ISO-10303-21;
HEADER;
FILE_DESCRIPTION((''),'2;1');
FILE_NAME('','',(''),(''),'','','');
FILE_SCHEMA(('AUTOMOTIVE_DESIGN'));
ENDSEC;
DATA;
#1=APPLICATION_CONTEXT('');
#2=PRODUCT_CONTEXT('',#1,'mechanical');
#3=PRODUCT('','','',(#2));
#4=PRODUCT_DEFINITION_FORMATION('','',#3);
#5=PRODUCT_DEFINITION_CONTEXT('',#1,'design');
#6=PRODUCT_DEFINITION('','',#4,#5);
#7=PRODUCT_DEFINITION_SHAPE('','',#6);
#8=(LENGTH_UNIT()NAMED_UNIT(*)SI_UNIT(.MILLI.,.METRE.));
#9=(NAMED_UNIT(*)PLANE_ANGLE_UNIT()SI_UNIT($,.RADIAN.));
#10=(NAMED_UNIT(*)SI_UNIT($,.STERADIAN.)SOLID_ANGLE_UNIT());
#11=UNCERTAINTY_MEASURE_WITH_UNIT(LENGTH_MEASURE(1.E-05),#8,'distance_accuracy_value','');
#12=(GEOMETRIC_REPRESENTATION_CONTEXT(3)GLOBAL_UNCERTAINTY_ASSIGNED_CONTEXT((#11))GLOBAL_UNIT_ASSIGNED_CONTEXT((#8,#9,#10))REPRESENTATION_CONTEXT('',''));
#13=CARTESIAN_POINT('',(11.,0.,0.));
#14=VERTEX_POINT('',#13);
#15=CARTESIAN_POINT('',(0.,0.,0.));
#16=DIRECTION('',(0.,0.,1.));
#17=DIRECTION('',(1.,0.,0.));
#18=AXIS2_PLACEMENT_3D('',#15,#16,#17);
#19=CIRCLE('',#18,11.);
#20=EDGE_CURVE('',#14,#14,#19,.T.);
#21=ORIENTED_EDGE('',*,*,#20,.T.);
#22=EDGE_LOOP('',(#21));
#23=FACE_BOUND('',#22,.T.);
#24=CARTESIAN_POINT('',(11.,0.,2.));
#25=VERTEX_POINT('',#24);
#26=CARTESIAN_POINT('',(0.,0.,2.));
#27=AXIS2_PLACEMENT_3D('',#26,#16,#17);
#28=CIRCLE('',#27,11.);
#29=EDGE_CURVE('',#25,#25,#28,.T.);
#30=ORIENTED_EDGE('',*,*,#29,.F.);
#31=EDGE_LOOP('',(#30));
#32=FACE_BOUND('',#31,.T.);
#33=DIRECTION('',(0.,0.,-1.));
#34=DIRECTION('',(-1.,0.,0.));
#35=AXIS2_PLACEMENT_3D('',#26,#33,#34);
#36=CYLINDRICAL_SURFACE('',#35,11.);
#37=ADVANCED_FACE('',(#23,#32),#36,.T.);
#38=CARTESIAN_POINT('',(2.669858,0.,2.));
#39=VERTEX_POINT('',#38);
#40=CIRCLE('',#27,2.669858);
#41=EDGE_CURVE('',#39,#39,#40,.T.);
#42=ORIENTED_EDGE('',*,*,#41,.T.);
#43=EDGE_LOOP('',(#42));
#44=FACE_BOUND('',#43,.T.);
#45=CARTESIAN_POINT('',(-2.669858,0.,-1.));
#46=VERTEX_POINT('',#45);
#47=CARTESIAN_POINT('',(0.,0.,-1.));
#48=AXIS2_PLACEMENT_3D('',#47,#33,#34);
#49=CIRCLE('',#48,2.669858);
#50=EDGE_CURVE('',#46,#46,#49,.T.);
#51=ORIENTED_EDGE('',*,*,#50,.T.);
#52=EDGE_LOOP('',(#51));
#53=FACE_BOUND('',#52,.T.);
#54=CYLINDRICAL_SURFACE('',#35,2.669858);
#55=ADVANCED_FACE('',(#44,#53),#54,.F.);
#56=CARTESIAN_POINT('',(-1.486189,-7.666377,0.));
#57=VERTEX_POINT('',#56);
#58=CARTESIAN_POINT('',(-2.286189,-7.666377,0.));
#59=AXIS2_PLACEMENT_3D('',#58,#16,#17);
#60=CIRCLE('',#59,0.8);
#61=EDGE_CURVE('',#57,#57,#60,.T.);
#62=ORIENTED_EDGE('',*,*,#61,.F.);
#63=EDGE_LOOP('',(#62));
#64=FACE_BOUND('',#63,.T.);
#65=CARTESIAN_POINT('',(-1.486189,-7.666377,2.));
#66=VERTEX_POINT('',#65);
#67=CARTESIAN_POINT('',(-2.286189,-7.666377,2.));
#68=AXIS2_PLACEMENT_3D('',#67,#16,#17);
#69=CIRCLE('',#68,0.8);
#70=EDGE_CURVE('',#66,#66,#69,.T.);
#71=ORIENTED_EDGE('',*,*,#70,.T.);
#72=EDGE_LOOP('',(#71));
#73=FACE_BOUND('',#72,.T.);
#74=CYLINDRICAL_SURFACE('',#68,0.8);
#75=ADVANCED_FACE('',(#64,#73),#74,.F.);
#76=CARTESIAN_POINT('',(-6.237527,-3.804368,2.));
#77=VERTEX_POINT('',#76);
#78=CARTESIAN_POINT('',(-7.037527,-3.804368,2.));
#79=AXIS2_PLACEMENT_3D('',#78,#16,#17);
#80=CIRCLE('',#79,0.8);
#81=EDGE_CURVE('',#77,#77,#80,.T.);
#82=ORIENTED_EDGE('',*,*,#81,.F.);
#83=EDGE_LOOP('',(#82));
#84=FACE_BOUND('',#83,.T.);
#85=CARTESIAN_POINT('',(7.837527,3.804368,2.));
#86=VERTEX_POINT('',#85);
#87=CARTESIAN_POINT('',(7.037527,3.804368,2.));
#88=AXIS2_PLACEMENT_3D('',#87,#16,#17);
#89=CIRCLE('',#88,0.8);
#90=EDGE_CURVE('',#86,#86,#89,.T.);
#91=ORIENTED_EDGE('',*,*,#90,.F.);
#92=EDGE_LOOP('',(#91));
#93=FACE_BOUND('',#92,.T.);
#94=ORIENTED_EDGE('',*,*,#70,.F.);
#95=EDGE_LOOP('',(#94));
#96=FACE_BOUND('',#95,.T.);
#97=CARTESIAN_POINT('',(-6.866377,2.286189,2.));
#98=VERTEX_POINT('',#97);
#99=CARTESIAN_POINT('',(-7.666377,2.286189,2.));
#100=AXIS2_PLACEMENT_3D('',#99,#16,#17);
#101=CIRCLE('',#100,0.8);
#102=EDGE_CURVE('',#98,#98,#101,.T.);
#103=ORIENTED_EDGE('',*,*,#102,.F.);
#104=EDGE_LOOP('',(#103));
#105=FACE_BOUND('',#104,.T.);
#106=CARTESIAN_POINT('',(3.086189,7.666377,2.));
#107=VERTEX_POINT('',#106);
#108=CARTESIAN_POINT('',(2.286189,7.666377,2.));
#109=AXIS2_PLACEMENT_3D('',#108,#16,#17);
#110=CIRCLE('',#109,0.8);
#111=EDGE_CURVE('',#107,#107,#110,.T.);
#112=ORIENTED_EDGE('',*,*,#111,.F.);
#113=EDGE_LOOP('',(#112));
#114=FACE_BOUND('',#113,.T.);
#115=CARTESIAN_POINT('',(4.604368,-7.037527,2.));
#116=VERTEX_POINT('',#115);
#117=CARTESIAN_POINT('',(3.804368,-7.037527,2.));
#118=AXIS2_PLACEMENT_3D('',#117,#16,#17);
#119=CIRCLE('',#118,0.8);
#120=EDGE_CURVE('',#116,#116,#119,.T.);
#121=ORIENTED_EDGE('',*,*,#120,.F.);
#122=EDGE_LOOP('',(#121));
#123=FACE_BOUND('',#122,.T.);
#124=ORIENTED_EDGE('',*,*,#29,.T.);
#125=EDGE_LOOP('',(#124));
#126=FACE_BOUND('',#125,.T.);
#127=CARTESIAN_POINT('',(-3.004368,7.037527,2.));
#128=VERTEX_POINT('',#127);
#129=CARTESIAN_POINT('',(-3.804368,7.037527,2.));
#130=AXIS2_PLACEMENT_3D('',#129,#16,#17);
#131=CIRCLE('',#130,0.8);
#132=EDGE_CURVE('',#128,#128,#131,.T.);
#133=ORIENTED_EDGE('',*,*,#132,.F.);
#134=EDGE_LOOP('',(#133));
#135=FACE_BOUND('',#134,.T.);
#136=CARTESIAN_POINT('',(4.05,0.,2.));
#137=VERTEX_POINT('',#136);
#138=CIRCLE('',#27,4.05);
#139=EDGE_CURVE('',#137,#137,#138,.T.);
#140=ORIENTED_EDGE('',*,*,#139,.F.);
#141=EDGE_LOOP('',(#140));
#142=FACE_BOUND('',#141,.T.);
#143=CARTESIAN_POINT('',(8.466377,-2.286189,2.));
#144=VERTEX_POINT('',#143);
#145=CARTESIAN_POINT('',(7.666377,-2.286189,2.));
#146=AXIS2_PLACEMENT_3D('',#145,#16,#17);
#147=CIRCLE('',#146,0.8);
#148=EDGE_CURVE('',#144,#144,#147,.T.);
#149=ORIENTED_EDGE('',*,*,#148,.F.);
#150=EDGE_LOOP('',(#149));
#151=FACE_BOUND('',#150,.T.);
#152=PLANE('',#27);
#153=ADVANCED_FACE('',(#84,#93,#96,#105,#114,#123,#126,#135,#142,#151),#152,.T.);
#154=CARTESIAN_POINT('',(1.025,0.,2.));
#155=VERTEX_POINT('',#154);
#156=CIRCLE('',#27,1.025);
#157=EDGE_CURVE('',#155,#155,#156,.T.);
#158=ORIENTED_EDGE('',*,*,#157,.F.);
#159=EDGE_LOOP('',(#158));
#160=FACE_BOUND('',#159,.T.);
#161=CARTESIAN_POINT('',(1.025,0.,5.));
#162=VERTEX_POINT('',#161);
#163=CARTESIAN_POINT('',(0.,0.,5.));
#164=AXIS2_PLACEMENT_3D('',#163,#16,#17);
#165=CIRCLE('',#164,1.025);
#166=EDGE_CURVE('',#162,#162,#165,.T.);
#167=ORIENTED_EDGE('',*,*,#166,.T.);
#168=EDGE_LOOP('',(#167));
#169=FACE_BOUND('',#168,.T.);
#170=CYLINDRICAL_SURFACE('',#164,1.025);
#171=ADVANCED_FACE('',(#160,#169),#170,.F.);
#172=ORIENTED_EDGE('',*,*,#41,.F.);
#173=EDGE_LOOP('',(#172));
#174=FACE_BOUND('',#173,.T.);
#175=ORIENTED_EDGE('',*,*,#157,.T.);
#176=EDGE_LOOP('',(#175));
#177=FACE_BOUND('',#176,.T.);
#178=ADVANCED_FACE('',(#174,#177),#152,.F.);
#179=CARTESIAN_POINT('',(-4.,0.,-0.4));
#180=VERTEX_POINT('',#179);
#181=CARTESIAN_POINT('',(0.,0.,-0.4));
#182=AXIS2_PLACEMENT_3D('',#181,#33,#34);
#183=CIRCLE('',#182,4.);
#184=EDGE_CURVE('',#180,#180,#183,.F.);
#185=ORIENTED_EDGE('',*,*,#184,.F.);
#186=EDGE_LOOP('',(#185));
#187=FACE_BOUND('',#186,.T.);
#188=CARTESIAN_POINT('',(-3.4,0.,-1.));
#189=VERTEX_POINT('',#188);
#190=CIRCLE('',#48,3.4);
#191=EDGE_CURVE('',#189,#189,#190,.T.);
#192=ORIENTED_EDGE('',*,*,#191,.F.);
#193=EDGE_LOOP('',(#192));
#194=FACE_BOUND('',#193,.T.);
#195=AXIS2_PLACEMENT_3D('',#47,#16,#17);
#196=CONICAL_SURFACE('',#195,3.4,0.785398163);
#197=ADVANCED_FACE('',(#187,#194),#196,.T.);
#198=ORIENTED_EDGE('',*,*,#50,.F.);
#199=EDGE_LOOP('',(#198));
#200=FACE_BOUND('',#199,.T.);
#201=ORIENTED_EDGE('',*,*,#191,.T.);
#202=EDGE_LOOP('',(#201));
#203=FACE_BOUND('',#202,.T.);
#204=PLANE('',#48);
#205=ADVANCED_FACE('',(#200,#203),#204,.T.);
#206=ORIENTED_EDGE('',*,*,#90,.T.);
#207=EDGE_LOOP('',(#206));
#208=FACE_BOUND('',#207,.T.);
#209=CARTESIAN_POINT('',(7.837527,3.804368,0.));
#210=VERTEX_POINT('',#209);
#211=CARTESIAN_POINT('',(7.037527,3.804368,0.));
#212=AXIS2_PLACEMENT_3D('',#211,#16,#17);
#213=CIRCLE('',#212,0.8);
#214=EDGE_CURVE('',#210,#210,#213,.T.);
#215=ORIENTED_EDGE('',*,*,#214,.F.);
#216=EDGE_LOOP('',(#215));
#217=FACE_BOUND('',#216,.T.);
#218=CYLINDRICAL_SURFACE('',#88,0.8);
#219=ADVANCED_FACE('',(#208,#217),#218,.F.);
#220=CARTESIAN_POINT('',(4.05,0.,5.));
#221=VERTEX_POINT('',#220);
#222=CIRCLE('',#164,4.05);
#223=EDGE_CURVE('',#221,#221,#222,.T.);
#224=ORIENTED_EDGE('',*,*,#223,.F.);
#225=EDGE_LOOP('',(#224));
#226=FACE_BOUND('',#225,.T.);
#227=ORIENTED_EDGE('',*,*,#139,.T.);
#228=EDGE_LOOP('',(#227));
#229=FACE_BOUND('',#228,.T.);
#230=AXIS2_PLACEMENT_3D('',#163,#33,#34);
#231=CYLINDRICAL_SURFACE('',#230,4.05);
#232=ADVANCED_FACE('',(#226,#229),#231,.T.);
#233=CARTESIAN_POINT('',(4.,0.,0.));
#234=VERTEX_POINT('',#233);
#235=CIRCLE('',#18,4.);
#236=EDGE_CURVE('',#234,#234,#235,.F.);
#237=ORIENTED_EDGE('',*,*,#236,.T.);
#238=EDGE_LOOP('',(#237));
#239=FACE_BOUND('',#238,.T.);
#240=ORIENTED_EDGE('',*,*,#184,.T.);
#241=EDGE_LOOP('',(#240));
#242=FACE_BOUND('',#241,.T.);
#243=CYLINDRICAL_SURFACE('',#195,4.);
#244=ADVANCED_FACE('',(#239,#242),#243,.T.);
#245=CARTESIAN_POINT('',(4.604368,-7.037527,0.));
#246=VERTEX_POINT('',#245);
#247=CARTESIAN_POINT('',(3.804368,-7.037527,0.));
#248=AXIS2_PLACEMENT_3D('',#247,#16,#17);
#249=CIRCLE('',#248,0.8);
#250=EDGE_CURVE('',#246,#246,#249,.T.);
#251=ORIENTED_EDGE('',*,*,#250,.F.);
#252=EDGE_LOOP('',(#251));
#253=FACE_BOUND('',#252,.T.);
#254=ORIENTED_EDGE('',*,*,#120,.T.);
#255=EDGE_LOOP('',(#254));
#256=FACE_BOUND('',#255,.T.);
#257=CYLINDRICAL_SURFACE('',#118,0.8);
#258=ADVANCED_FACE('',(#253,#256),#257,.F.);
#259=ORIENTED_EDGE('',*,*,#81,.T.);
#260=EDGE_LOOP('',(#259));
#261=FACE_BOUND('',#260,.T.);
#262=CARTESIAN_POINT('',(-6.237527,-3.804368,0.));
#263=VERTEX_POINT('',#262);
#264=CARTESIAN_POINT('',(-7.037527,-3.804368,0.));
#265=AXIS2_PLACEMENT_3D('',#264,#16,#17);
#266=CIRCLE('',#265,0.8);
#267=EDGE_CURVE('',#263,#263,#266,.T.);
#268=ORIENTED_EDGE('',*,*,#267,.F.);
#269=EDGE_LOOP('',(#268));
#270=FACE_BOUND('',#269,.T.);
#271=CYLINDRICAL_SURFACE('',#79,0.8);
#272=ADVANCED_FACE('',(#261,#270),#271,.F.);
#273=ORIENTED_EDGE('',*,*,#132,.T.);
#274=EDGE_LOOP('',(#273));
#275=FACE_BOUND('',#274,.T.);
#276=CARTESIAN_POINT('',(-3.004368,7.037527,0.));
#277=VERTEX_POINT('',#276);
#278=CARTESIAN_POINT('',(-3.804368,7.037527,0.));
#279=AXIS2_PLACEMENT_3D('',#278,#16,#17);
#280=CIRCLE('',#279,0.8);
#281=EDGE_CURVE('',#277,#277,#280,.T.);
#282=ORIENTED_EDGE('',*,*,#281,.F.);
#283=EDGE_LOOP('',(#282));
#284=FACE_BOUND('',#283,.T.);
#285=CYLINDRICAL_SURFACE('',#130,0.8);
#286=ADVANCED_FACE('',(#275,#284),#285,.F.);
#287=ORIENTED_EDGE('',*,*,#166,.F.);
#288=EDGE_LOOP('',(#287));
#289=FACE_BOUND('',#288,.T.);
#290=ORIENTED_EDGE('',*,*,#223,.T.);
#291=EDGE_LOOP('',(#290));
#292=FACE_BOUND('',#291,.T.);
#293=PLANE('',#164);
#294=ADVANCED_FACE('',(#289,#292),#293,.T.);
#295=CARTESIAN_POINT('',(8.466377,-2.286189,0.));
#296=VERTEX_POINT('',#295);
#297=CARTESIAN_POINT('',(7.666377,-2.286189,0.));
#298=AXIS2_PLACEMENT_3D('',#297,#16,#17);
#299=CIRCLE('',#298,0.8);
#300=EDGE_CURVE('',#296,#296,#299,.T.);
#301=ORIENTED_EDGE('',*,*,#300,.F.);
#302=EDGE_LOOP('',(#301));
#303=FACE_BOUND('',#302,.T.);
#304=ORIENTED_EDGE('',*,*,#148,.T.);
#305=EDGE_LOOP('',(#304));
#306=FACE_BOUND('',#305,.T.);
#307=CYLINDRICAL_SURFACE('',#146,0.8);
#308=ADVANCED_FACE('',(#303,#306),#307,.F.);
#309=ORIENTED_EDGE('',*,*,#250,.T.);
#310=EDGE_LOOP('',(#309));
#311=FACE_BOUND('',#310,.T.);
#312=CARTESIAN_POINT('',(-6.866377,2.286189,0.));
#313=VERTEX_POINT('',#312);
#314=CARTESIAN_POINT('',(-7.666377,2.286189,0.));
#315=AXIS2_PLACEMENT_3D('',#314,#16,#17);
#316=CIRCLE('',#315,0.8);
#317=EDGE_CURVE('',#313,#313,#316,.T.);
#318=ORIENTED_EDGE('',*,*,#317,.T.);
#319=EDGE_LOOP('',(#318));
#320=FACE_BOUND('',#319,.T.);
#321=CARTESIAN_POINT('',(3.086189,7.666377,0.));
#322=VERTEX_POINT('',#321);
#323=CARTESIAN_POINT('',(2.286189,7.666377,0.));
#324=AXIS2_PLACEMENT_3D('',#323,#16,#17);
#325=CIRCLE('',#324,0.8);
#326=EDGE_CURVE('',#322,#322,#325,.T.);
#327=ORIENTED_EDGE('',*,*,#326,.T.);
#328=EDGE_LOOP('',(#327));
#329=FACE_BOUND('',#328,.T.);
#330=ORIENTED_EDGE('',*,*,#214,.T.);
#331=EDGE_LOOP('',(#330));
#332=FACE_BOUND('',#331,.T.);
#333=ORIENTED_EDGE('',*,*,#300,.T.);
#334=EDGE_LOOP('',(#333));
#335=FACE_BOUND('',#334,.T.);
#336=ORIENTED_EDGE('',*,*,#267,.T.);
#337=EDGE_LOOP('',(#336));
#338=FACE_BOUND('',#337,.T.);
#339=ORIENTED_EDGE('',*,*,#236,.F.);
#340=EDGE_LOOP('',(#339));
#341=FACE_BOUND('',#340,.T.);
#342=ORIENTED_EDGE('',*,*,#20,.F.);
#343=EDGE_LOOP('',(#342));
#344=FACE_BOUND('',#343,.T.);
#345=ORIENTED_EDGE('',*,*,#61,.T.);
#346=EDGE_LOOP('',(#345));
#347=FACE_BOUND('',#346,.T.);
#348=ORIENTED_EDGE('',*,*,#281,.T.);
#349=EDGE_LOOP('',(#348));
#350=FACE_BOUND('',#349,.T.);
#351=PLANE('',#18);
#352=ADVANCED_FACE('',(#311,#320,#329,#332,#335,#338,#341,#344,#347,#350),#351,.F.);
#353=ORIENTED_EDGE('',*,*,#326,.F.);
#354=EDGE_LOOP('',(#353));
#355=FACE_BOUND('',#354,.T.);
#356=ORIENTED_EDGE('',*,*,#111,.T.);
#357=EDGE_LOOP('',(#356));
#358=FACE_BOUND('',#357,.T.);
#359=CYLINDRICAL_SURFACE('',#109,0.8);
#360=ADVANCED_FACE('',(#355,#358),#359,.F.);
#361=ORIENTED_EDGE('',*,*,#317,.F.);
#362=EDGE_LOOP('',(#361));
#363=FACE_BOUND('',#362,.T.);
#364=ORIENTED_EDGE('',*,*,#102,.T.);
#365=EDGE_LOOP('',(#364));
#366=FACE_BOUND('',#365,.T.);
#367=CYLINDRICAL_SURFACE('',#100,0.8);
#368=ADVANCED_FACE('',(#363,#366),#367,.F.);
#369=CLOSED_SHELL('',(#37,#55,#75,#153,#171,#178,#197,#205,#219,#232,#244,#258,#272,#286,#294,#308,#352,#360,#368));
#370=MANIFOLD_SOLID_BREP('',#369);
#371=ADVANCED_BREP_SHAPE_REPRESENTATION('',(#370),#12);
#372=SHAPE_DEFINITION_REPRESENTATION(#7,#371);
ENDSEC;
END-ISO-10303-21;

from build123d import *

# Parameters (mm, degrees)
SKETCH1_R               = 11
SKETCH1_R_2             = 2.669858215
BOSS_EXTRUDE1_DEPTH     = 2
SKETCH2_R               = 4.05
BOSS_EXTRUDE2_DEPTH     = 3
SKETCH3_R               = 4
SKETCH3_R_2             = 2.669858215
BOSS_EXTRUDE3_DEPTH     = 1
CHAMFER1_SIZE           = 0.6
M2_TAPPED_HOLE1_D       = 1.6
M2_5_TAPPED_HOLE1_D     = 2.05
M2_5_TAPPED_HOLE1_DEPTH = 6.35
M2_5_TAPPED_HOLE1_TIP   = 0.615882135


with BuildPart() as part:
    # Sketch1 → Boss-Extrude1 (new body)
    with BuildSketch(Plane.XY):
        Circle(SKETCH1_R)
        Circle(SKETCH1_R_2, mode=Mode.SUBTRACT)
    extrude(amount=BOSS_EXTRUDE1_DEPTH)

    # Sketch2 → Boss-Extrude2 (add)
    with BuildSketch(Plane.XY.offset(2)):
        Circle(SKETCH2_R)
    extrude(amount=BOSS_EXTRUDE2_DEPTH)

    # Sketch3 → Boss-Extrude3 (add)
    with BuildSketch(Plane(origin=(0, 0, 0), x_dir=(-1, 0, 0), z_dir=(0, 0, -1))):
        Circle(SKETCH3_R)
        Circle(SKETCH3_R_2, mode=Mode.SUBTRACT)
    extrude(amount=BOSS_EXTRUDE3_DEPTH)

    # Chamfer1
    chamfer1_edges = [part.edges().sort_by_distance(p)[0] for p in [
        (4, 0, -1),
    ]]
    chamfer(chamfer1_edges, length=CHAMFER1_SIZE)

    # M2 Tapped Hole1 (through all)
    with Locations(Plane.XY.offset(2)):
        with Locations((2.286188648, 7.666377336), (7.037526898, 3.804367906), (7.666377336, -2.286188648), (3.804367906, -7.037526898), (-2.286188648, -7.666377336), (-7.037526898, -3.804367906), (-7.666377336, 2.286188648), (-3.804367906, 7.037526898)):
            Hole(M2_TAPPED_HOLE1_D / 2)

    # M2.5 Tapped Hole1
    with Locations(Plane.XY.offset(5)):
        with Locations((0, 0)):
            Hole(M2_5_TAPPED_HOLE1_D / 2, depth=M2_5_TAPPED_HOLE1_DEPTH)
            with Locations((0, 0, -(M2_5_TAPPED_HOLE1_DEPTH + M2_5_TAPPED_HOLE1_TIP / 2))):  # 118° drill point
                Cone(0, M2_5_TAPPED_HOLE1_D / 2, M2_5_TAPPED_HOLE1_TIP, mode=Mode.SUBTRACT)


solid = part.part
